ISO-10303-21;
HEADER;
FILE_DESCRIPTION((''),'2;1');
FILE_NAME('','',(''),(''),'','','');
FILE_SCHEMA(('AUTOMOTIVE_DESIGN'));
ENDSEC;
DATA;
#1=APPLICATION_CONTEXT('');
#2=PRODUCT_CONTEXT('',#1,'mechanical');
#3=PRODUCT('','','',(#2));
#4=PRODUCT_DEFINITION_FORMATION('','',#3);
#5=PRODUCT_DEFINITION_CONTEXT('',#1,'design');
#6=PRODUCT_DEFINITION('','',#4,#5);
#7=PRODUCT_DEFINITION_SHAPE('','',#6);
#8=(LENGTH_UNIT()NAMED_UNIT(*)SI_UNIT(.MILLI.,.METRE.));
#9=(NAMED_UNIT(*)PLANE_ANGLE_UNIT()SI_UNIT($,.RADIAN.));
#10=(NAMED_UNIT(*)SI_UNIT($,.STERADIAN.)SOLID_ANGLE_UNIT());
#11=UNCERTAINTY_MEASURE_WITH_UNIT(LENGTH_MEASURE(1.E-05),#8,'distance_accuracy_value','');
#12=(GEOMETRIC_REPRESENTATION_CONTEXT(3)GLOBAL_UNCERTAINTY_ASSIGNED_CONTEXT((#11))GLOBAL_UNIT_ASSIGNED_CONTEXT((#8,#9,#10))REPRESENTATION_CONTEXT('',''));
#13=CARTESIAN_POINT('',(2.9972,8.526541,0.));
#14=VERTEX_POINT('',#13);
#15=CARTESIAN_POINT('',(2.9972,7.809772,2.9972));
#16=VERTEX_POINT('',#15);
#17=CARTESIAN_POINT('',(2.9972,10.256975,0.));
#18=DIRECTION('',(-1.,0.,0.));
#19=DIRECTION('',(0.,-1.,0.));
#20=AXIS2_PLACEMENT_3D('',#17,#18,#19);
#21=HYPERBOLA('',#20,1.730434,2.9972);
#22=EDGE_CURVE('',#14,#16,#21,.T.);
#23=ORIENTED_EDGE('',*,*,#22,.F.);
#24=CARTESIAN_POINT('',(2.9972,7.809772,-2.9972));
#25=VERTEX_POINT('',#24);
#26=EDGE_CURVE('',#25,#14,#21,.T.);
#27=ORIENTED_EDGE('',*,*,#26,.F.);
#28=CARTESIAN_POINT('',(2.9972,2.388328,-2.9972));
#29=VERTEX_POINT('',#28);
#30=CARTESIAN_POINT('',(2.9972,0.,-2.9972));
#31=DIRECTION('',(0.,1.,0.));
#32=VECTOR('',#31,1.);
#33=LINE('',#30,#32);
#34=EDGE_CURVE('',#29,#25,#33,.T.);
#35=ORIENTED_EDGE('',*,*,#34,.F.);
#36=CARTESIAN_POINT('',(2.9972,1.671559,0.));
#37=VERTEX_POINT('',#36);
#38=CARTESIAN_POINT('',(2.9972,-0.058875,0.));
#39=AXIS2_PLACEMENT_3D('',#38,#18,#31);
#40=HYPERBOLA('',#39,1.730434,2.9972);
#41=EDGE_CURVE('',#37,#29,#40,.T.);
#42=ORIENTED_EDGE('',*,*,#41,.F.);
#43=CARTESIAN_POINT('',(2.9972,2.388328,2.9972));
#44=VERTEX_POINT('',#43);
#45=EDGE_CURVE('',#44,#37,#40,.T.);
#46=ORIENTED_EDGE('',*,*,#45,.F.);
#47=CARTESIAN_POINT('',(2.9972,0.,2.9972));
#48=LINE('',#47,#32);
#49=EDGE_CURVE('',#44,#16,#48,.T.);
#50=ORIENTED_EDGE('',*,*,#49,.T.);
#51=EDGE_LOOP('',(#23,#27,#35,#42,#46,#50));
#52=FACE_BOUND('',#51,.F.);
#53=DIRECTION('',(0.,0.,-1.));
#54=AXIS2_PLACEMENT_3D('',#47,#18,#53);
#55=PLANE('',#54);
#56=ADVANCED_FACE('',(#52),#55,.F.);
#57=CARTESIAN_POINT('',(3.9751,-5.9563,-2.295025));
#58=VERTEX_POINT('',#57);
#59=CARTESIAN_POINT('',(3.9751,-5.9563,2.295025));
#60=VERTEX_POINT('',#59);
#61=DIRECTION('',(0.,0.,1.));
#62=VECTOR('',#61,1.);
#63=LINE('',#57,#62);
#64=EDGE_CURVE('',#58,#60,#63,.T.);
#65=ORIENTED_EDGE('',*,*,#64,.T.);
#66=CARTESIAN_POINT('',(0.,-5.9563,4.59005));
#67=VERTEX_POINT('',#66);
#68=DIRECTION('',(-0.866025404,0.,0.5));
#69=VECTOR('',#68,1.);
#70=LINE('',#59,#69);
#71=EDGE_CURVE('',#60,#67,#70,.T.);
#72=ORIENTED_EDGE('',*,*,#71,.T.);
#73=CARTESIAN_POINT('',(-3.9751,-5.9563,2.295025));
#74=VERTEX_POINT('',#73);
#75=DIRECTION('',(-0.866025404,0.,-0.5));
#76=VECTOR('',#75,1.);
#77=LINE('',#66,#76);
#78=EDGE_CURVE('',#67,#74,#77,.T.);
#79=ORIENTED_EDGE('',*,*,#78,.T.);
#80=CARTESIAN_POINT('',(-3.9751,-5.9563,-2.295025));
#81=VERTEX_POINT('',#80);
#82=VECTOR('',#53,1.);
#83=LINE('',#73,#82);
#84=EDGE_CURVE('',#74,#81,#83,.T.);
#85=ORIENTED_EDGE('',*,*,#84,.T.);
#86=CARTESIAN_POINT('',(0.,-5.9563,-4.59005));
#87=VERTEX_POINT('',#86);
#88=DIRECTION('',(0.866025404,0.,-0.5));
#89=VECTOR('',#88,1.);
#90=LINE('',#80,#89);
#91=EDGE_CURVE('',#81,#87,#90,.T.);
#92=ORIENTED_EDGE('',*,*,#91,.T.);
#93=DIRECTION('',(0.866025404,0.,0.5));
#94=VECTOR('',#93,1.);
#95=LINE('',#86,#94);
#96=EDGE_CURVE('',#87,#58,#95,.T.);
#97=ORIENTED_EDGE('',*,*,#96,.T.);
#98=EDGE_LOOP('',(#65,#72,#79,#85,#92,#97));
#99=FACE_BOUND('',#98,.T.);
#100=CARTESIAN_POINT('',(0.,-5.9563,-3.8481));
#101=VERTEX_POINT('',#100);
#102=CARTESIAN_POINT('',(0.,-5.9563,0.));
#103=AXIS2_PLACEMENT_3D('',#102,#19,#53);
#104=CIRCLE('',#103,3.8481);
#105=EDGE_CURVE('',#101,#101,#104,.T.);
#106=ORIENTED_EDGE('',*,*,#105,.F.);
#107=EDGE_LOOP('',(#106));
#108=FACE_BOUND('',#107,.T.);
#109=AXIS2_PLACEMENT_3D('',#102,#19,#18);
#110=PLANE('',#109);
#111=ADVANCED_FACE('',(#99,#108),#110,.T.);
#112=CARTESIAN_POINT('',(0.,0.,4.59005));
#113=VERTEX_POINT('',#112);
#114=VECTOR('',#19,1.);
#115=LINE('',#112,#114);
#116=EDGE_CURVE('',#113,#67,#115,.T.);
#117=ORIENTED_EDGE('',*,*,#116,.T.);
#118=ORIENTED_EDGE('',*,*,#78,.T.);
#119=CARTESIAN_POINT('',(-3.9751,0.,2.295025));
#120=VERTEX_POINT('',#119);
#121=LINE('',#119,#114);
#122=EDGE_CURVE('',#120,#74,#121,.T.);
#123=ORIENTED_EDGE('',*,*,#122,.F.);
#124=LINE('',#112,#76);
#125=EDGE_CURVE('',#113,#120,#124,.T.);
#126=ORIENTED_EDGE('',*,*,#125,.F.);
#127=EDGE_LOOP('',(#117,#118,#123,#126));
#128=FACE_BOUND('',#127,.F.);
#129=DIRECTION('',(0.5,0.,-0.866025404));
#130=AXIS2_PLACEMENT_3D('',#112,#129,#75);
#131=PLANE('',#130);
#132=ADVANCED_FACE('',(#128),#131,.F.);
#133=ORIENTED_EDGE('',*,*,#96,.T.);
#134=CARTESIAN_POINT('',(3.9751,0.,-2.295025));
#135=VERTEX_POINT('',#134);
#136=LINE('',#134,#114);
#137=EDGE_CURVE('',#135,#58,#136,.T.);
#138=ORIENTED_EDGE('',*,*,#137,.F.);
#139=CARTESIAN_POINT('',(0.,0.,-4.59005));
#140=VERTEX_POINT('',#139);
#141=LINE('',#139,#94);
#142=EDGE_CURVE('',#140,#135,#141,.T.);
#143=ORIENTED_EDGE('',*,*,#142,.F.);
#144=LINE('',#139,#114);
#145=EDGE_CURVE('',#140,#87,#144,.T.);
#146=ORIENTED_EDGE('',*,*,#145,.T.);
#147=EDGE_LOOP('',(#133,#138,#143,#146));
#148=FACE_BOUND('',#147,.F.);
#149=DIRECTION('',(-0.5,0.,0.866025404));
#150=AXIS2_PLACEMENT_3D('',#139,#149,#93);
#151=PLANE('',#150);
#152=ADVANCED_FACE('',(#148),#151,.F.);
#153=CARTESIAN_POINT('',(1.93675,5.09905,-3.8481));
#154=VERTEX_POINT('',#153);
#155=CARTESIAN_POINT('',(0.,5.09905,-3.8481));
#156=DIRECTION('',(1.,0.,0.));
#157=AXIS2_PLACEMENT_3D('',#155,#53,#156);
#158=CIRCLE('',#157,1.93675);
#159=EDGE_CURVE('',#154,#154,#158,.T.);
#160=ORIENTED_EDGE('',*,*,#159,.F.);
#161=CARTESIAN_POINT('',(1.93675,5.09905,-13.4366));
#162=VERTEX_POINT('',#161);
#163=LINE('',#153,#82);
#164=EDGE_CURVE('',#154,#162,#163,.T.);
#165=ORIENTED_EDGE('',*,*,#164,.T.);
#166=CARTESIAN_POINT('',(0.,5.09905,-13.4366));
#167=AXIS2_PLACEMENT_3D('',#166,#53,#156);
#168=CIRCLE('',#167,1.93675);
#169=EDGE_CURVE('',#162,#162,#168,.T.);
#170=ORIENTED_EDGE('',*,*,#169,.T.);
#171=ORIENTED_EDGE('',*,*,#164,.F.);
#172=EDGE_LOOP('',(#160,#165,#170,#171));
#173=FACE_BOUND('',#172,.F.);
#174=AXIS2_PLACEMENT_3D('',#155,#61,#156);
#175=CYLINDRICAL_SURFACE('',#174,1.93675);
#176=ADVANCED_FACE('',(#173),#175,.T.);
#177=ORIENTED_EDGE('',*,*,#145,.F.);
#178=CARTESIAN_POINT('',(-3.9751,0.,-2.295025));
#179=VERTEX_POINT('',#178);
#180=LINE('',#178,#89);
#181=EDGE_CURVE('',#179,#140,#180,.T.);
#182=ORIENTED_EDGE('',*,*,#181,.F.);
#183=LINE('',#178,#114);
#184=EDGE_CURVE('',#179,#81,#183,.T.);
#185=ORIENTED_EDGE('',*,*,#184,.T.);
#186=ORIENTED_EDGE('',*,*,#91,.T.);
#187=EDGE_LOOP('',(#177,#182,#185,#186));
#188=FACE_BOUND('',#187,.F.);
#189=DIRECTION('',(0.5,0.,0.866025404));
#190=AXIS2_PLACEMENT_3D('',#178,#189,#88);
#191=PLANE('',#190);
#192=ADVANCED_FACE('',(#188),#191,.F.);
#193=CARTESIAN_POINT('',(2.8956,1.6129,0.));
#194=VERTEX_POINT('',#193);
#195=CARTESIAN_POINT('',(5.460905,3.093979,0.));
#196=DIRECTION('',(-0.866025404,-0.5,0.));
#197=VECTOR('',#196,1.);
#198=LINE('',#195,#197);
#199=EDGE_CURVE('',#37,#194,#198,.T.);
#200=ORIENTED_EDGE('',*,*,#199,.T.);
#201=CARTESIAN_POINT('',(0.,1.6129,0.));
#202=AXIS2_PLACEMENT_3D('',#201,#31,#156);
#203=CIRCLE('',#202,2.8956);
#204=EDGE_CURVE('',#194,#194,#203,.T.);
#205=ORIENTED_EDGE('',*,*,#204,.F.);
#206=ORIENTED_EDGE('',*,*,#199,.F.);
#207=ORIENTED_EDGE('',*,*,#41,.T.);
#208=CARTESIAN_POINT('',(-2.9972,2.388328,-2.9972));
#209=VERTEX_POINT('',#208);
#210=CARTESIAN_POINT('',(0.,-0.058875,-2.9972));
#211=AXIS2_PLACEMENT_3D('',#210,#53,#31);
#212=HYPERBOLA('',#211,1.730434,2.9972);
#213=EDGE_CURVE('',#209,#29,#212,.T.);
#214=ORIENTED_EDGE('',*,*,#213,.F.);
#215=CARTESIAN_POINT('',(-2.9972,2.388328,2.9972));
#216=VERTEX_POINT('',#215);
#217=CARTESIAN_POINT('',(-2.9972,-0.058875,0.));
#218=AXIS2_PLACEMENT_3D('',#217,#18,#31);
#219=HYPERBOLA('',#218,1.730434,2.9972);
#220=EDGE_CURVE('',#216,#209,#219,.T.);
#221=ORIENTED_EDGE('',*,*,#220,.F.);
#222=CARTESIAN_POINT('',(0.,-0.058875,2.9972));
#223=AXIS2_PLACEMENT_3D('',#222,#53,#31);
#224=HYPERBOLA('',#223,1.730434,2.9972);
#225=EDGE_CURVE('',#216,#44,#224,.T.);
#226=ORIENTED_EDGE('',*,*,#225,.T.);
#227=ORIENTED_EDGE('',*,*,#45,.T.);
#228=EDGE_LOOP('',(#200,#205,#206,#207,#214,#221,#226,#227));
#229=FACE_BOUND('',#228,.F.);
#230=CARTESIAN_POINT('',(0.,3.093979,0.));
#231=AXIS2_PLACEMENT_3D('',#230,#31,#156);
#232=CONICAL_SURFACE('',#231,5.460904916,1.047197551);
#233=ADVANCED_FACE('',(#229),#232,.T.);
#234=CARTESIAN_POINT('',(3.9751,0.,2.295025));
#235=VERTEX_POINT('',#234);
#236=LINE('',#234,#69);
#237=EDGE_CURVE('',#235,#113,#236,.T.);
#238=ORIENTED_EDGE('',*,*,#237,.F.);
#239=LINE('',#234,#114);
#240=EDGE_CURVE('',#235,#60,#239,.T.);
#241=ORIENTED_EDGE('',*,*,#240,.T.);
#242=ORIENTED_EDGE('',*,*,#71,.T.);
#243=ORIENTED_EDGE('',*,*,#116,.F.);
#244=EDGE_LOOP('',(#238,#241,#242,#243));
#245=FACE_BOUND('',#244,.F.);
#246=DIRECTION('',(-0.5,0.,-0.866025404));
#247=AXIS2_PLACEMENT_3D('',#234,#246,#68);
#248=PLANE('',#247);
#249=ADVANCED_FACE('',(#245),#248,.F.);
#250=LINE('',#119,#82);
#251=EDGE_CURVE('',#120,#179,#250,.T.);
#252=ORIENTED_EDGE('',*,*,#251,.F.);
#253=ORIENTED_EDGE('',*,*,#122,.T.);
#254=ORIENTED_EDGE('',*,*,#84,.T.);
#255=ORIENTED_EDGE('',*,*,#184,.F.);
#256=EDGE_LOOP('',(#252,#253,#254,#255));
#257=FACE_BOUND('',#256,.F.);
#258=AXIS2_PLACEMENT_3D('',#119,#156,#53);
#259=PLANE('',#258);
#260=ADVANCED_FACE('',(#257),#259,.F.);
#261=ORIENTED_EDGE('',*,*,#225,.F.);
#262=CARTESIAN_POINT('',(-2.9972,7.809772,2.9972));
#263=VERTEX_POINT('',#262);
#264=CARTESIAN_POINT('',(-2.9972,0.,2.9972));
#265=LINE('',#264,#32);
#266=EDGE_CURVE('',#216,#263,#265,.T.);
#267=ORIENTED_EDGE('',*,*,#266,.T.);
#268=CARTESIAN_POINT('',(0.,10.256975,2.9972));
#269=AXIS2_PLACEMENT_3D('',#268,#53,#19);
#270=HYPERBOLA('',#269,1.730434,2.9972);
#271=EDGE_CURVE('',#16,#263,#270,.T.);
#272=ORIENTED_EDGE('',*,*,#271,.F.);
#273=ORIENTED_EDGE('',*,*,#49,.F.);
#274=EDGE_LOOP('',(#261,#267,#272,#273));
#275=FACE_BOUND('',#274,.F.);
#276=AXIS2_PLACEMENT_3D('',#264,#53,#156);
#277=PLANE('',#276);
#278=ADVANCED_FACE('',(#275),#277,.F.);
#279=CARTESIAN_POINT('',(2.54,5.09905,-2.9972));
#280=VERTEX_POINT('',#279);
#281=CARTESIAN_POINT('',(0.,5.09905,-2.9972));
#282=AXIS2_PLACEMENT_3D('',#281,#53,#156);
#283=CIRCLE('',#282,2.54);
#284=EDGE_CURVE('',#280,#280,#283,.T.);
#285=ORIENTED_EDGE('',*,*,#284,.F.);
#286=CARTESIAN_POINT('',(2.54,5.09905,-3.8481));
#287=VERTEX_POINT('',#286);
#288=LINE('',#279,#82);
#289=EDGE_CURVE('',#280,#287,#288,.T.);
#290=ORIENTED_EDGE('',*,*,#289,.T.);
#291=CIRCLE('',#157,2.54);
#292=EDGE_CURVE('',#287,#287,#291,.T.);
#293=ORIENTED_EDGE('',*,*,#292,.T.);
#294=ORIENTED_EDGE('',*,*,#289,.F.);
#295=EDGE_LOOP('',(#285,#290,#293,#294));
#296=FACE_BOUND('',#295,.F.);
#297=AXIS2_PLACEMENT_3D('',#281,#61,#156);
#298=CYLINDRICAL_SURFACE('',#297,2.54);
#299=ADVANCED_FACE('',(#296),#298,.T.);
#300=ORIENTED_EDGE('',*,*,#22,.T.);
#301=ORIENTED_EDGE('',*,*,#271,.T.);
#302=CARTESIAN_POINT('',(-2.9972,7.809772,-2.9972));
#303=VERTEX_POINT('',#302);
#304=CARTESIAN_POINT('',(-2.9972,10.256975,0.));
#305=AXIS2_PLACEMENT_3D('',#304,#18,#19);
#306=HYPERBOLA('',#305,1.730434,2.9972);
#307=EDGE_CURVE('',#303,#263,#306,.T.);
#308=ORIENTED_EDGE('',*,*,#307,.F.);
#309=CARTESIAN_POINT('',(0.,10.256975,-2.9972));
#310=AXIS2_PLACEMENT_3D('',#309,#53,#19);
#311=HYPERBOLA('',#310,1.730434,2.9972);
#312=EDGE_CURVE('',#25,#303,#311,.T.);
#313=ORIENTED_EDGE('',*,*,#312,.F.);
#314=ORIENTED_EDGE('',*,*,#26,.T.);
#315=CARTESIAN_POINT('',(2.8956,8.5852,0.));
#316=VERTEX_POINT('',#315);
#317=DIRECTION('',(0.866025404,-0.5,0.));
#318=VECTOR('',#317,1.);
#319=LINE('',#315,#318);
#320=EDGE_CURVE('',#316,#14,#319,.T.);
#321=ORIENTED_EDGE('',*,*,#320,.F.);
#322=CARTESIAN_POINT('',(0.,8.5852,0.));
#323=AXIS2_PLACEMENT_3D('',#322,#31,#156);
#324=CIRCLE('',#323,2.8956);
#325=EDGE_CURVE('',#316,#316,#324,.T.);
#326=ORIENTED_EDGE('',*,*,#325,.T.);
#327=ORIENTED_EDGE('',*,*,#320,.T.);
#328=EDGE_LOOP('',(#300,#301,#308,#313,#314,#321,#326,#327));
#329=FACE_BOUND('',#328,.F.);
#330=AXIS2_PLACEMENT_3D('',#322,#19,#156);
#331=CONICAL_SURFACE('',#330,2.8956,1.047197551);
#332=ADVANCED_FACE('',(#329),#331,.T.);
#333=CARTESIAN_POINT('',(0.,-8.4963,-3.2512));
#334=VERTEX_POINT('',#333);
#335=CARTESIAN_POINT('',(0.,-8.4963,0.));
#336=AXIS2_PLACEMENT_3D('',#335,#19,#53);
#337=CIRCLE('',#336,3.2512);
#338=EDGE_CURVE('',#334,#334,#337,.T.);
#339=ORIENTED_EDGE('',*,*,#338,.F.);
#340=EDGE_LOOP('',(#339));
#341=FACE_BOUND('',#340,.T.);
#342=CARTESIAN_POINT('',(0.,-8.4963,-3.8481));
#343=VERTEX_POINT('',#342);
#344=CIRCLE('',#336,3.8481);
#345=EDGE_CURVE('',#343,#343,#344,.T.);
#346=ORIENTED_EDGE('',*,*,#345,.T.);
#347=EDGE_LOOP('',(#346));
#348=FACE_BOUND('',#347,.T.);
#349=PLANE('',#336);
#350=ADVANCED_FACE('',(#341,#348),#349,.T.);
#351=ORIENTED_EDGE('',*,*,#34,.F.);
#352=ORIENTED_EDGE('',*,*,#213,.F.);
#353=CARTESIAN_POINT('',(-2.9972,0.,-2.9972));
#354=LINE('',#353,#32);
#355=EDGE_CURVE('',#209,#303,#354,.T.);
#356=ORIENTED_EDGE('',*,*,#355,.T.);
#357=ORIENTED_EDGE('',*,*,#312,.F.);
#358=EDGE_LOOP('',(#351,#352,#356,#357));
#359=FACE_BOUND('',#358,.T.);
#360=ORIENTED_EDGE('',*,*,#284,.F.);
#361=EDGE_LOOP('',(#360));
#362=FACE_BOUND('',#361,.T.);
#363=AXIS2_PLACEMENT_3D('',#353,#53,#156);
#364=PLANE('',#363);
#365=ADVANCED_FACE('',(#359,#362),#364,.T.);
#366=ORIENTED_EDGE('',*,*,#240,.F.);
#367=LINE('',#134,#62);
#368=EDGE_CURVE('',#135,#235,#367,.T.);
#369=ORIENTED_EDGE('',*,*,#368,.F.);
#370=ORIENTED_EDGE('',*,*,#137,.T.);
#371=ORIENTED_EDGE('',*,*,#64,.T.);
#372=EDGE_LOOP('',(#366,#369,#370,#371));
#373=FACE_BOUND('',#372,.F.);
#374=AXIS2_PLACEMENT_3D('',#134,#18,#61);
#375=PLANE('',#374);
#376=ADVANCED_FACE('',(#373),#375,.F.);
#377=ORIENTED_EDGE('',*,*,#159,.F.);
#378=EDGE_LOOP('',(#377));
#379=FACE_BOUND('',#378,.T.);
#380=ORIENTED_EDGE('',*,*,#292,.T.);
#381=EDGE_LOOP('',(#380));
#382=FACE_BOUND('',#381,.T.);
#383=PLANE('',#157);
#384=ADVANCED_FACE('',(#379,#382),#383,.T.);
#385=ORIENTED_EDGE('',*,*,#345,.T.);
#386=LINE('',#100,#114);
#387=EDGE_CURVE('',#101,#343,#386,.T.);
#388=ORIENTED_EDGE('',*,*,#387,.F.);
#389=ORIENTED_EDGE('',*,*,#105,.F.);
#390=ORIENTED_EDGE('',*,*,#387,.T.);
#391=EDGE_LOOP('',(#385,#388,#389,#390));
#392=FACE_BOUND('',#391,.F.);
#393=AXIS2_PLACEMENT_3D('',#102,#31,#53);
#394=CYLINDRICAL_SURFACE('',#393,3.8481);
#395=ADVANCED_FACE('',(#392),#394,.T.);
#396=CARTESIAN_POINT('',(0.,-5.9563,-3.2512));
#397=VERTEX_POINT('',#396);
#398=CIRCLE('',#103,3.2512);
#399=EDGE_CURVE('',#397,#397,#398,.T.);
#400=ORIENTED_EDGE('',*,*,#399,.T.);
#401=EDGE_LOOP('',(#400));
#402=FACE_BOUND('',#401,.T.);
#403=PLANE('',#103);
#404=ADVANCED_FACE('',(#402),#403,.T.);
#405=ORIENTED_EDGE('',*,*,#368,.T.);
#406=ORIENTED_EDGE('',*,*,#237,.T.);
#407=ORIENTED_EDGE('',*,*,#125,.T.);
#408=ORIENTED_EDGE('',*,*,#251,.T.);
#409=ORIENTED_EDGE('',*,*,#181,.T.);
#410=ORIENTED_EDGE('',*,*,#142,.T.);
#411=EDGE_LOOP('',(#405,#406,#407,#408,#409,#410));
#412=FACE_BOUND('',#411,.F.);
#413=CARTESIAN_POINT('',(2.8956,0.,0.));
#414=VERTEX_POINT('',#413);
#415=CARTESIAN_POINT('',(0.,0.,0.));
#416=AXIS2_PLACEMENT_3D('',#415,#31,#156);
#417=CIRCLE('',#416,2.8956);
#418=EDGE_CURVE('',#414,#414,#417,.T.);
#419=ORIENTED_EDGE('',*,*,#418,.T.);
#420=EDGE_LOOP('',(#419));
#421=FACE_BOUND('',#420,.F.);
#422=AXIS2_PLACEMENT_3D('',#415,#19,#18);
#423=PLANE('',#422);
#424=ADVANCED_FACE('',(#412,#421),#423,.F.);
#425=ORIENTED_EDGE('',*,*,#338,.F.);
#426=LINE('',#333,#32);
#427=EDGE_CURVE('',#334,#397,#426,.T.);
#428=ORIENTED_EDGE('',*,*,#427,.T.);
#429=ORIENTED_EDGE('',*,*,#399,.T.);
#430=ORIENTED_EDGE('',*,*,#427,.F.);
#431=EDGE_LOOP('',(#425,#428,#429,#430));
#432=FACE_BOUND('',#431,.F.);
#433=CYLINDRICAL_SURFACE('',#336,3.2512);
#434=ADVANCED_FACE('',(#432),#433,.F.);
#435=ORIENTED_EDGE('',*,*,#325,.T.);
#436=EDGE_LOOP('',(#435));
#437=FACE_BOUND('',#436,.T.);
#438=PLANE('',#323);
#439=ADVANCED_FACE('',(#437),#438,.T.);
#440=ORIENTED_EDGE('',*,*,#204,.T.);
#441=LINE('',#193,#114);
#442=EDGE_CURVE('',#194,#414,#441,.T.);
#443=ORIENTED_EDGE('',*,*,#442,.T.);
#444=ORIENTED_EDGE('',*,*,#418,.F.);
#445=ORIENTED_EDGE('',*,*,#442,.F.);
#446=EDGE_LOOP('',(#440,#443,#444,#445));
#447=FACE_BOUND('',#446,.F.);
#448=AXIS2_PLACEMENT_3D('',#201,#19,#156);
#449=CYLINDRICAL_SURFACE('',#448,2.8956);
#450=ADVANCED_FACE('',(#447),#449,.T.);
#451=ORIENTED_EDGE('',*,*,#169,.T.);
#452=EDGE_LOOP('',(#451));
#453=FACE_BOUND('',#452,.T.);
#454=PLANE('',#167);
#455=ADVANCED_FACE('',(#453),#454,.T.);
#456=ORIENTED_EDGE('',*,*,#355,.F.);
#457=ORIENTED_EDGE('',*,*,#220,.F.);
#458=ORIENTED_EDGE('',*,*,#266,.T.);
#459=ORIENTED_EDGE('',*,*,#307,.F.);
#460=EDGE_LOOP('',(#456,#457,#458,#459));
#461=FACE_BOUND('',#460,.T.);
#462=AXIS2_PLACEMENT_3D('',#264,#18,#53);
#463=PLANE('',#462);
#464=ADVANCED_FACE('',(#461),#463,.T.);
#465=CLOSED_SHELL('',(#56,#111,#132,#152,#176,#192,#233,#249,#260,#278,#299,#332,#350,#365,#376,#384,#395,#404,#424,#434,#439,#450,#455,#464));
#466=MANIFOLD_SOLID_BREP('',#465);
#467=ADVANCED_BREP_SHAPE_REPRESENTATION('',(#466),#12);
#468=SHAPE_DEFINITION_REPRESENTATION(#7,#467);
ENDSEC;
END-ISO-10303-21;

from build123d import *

# Parameters (mm, degrees)
SKETCH1_W           = 5.9944
SKETCH1_H           = 5.9944
BOSS_EXTRUDE1_DEPTH = 8.5852
SKETCH3_R           = 2.54
BOSS_EXTRUDE2_DEPTH = 0.8509
SKETCH4_R           = 1.93675
BOSS_EXTRUDE3_DEPTH = 9.5885
BOSS_EXTRUDE4_DEPTH = 5.9563
SKETCH6_R           = 3.8481
BOSS_EXTRUDE5_DEPTH = 2.54
SKETCH7_R           = 3.2512
CUT_EXTRUDE1_DEPTH  = 2.54


with BuildPart() as part:
    # Sketch1 → Boss-Extrude1 (new body)
    with BuildSketch(Plane(origin=(0, 0, 0), x_dir=(1, 0, 0), z_dir=(0, 1, 0))):
        Rectangle(SKETCH1_W, SKETCH1_H)
    extrude(amount=BOSS_EXTRUDE1_DEPTH)

    # Sketch2 → Cut-Revolve1 (revolve, cut)
    with BuildSketch(Plane.XY):
        Polygon((2.8956, 1.6129), (2.8956, 0), (5.460904916, -1.481079484), (5.460904916, 3.093979484), align=None)
        Polygon((2.9972, 8.5852), (2.8956, 8.5852), (5.460904916, 7.104120516), (5.460904916, 8.5852), align=None)
    revolve(axis=Axis((0, 0.80645, 0), (0, 1, 0)), mode=Mode.SUBTRACT)

    # Sketch3 → Boss-Extrude2 (add)
    with BuildSketch(Plane(origin=(0, 0, -2.9972), x_dir=(-1, 0, 0), z_dir=(0, 0, -1))):
        with Locations(Location((0, 5.09905, 0), (0, 0, 180))):
            Circle(SKETCH3_R)
    extrude(amount=BOSS_EXTRUDE2_DEPTH)

    # Sketch4 → Boss-Extrude3 (add)
    with BuildSketch(Plane(origin=(0, 0, -3.8481), x_dir=(-1, 0, 0), z_dir=(0, 0, -1))):
        with Locations(Location((0, 5.09905, 0), (0, 0, 180))):
            Circle(SKETCH4_R)
    extrude(amount=BOSS_EXTRUDE3_DEPTH)

    # Sketch5 → Boss-Extrude4 (add)
    with BuildSketch(Plane(origin=(0, 0, 0), x_dir=(-1, 0, 0), z_dir=(0, -1, 0))):
        Polygon((0, 4.59005011), (-3.9751, 2.295025055), (-3.9751, -2.295025055), (0, -4.59005011), (3.9751, -2.295025055), (3.9751, 2.295025055), align=None)
    extrude(amount=BOSS_EXTRUDE4_DEPTH)

    # Sketch6 → Boss-Extrude5 (add)
    with BuildSketch(Plane(origin=(0, -5.9563, 0), x_dir=(-1, 0, 0), z_dir=(0, -1, 0))):
        with Locations(Location((0, 0, 0), (0, 0, 90))):
            Circle(SKETCH6_R)
    extrude(amount=BOSS_EXTRUDE5_DEPTH)

    # Sketch7 → Cut-Extrude1 (cut)
    with BuildSketch(Plane(origin=(0, -8.4963, 0), x_dir=(-1, 0, 0), z_dir=(0, -1, 0))):
        with Locations(Location((0, 0, 0), (0, 0, 90))):
            Circle(SKETCH7_R)
    extrude(amount=-CUT_EXTRUDE1_DEPTH, mode=Mode.SUBTRACT)


solid = part.part
